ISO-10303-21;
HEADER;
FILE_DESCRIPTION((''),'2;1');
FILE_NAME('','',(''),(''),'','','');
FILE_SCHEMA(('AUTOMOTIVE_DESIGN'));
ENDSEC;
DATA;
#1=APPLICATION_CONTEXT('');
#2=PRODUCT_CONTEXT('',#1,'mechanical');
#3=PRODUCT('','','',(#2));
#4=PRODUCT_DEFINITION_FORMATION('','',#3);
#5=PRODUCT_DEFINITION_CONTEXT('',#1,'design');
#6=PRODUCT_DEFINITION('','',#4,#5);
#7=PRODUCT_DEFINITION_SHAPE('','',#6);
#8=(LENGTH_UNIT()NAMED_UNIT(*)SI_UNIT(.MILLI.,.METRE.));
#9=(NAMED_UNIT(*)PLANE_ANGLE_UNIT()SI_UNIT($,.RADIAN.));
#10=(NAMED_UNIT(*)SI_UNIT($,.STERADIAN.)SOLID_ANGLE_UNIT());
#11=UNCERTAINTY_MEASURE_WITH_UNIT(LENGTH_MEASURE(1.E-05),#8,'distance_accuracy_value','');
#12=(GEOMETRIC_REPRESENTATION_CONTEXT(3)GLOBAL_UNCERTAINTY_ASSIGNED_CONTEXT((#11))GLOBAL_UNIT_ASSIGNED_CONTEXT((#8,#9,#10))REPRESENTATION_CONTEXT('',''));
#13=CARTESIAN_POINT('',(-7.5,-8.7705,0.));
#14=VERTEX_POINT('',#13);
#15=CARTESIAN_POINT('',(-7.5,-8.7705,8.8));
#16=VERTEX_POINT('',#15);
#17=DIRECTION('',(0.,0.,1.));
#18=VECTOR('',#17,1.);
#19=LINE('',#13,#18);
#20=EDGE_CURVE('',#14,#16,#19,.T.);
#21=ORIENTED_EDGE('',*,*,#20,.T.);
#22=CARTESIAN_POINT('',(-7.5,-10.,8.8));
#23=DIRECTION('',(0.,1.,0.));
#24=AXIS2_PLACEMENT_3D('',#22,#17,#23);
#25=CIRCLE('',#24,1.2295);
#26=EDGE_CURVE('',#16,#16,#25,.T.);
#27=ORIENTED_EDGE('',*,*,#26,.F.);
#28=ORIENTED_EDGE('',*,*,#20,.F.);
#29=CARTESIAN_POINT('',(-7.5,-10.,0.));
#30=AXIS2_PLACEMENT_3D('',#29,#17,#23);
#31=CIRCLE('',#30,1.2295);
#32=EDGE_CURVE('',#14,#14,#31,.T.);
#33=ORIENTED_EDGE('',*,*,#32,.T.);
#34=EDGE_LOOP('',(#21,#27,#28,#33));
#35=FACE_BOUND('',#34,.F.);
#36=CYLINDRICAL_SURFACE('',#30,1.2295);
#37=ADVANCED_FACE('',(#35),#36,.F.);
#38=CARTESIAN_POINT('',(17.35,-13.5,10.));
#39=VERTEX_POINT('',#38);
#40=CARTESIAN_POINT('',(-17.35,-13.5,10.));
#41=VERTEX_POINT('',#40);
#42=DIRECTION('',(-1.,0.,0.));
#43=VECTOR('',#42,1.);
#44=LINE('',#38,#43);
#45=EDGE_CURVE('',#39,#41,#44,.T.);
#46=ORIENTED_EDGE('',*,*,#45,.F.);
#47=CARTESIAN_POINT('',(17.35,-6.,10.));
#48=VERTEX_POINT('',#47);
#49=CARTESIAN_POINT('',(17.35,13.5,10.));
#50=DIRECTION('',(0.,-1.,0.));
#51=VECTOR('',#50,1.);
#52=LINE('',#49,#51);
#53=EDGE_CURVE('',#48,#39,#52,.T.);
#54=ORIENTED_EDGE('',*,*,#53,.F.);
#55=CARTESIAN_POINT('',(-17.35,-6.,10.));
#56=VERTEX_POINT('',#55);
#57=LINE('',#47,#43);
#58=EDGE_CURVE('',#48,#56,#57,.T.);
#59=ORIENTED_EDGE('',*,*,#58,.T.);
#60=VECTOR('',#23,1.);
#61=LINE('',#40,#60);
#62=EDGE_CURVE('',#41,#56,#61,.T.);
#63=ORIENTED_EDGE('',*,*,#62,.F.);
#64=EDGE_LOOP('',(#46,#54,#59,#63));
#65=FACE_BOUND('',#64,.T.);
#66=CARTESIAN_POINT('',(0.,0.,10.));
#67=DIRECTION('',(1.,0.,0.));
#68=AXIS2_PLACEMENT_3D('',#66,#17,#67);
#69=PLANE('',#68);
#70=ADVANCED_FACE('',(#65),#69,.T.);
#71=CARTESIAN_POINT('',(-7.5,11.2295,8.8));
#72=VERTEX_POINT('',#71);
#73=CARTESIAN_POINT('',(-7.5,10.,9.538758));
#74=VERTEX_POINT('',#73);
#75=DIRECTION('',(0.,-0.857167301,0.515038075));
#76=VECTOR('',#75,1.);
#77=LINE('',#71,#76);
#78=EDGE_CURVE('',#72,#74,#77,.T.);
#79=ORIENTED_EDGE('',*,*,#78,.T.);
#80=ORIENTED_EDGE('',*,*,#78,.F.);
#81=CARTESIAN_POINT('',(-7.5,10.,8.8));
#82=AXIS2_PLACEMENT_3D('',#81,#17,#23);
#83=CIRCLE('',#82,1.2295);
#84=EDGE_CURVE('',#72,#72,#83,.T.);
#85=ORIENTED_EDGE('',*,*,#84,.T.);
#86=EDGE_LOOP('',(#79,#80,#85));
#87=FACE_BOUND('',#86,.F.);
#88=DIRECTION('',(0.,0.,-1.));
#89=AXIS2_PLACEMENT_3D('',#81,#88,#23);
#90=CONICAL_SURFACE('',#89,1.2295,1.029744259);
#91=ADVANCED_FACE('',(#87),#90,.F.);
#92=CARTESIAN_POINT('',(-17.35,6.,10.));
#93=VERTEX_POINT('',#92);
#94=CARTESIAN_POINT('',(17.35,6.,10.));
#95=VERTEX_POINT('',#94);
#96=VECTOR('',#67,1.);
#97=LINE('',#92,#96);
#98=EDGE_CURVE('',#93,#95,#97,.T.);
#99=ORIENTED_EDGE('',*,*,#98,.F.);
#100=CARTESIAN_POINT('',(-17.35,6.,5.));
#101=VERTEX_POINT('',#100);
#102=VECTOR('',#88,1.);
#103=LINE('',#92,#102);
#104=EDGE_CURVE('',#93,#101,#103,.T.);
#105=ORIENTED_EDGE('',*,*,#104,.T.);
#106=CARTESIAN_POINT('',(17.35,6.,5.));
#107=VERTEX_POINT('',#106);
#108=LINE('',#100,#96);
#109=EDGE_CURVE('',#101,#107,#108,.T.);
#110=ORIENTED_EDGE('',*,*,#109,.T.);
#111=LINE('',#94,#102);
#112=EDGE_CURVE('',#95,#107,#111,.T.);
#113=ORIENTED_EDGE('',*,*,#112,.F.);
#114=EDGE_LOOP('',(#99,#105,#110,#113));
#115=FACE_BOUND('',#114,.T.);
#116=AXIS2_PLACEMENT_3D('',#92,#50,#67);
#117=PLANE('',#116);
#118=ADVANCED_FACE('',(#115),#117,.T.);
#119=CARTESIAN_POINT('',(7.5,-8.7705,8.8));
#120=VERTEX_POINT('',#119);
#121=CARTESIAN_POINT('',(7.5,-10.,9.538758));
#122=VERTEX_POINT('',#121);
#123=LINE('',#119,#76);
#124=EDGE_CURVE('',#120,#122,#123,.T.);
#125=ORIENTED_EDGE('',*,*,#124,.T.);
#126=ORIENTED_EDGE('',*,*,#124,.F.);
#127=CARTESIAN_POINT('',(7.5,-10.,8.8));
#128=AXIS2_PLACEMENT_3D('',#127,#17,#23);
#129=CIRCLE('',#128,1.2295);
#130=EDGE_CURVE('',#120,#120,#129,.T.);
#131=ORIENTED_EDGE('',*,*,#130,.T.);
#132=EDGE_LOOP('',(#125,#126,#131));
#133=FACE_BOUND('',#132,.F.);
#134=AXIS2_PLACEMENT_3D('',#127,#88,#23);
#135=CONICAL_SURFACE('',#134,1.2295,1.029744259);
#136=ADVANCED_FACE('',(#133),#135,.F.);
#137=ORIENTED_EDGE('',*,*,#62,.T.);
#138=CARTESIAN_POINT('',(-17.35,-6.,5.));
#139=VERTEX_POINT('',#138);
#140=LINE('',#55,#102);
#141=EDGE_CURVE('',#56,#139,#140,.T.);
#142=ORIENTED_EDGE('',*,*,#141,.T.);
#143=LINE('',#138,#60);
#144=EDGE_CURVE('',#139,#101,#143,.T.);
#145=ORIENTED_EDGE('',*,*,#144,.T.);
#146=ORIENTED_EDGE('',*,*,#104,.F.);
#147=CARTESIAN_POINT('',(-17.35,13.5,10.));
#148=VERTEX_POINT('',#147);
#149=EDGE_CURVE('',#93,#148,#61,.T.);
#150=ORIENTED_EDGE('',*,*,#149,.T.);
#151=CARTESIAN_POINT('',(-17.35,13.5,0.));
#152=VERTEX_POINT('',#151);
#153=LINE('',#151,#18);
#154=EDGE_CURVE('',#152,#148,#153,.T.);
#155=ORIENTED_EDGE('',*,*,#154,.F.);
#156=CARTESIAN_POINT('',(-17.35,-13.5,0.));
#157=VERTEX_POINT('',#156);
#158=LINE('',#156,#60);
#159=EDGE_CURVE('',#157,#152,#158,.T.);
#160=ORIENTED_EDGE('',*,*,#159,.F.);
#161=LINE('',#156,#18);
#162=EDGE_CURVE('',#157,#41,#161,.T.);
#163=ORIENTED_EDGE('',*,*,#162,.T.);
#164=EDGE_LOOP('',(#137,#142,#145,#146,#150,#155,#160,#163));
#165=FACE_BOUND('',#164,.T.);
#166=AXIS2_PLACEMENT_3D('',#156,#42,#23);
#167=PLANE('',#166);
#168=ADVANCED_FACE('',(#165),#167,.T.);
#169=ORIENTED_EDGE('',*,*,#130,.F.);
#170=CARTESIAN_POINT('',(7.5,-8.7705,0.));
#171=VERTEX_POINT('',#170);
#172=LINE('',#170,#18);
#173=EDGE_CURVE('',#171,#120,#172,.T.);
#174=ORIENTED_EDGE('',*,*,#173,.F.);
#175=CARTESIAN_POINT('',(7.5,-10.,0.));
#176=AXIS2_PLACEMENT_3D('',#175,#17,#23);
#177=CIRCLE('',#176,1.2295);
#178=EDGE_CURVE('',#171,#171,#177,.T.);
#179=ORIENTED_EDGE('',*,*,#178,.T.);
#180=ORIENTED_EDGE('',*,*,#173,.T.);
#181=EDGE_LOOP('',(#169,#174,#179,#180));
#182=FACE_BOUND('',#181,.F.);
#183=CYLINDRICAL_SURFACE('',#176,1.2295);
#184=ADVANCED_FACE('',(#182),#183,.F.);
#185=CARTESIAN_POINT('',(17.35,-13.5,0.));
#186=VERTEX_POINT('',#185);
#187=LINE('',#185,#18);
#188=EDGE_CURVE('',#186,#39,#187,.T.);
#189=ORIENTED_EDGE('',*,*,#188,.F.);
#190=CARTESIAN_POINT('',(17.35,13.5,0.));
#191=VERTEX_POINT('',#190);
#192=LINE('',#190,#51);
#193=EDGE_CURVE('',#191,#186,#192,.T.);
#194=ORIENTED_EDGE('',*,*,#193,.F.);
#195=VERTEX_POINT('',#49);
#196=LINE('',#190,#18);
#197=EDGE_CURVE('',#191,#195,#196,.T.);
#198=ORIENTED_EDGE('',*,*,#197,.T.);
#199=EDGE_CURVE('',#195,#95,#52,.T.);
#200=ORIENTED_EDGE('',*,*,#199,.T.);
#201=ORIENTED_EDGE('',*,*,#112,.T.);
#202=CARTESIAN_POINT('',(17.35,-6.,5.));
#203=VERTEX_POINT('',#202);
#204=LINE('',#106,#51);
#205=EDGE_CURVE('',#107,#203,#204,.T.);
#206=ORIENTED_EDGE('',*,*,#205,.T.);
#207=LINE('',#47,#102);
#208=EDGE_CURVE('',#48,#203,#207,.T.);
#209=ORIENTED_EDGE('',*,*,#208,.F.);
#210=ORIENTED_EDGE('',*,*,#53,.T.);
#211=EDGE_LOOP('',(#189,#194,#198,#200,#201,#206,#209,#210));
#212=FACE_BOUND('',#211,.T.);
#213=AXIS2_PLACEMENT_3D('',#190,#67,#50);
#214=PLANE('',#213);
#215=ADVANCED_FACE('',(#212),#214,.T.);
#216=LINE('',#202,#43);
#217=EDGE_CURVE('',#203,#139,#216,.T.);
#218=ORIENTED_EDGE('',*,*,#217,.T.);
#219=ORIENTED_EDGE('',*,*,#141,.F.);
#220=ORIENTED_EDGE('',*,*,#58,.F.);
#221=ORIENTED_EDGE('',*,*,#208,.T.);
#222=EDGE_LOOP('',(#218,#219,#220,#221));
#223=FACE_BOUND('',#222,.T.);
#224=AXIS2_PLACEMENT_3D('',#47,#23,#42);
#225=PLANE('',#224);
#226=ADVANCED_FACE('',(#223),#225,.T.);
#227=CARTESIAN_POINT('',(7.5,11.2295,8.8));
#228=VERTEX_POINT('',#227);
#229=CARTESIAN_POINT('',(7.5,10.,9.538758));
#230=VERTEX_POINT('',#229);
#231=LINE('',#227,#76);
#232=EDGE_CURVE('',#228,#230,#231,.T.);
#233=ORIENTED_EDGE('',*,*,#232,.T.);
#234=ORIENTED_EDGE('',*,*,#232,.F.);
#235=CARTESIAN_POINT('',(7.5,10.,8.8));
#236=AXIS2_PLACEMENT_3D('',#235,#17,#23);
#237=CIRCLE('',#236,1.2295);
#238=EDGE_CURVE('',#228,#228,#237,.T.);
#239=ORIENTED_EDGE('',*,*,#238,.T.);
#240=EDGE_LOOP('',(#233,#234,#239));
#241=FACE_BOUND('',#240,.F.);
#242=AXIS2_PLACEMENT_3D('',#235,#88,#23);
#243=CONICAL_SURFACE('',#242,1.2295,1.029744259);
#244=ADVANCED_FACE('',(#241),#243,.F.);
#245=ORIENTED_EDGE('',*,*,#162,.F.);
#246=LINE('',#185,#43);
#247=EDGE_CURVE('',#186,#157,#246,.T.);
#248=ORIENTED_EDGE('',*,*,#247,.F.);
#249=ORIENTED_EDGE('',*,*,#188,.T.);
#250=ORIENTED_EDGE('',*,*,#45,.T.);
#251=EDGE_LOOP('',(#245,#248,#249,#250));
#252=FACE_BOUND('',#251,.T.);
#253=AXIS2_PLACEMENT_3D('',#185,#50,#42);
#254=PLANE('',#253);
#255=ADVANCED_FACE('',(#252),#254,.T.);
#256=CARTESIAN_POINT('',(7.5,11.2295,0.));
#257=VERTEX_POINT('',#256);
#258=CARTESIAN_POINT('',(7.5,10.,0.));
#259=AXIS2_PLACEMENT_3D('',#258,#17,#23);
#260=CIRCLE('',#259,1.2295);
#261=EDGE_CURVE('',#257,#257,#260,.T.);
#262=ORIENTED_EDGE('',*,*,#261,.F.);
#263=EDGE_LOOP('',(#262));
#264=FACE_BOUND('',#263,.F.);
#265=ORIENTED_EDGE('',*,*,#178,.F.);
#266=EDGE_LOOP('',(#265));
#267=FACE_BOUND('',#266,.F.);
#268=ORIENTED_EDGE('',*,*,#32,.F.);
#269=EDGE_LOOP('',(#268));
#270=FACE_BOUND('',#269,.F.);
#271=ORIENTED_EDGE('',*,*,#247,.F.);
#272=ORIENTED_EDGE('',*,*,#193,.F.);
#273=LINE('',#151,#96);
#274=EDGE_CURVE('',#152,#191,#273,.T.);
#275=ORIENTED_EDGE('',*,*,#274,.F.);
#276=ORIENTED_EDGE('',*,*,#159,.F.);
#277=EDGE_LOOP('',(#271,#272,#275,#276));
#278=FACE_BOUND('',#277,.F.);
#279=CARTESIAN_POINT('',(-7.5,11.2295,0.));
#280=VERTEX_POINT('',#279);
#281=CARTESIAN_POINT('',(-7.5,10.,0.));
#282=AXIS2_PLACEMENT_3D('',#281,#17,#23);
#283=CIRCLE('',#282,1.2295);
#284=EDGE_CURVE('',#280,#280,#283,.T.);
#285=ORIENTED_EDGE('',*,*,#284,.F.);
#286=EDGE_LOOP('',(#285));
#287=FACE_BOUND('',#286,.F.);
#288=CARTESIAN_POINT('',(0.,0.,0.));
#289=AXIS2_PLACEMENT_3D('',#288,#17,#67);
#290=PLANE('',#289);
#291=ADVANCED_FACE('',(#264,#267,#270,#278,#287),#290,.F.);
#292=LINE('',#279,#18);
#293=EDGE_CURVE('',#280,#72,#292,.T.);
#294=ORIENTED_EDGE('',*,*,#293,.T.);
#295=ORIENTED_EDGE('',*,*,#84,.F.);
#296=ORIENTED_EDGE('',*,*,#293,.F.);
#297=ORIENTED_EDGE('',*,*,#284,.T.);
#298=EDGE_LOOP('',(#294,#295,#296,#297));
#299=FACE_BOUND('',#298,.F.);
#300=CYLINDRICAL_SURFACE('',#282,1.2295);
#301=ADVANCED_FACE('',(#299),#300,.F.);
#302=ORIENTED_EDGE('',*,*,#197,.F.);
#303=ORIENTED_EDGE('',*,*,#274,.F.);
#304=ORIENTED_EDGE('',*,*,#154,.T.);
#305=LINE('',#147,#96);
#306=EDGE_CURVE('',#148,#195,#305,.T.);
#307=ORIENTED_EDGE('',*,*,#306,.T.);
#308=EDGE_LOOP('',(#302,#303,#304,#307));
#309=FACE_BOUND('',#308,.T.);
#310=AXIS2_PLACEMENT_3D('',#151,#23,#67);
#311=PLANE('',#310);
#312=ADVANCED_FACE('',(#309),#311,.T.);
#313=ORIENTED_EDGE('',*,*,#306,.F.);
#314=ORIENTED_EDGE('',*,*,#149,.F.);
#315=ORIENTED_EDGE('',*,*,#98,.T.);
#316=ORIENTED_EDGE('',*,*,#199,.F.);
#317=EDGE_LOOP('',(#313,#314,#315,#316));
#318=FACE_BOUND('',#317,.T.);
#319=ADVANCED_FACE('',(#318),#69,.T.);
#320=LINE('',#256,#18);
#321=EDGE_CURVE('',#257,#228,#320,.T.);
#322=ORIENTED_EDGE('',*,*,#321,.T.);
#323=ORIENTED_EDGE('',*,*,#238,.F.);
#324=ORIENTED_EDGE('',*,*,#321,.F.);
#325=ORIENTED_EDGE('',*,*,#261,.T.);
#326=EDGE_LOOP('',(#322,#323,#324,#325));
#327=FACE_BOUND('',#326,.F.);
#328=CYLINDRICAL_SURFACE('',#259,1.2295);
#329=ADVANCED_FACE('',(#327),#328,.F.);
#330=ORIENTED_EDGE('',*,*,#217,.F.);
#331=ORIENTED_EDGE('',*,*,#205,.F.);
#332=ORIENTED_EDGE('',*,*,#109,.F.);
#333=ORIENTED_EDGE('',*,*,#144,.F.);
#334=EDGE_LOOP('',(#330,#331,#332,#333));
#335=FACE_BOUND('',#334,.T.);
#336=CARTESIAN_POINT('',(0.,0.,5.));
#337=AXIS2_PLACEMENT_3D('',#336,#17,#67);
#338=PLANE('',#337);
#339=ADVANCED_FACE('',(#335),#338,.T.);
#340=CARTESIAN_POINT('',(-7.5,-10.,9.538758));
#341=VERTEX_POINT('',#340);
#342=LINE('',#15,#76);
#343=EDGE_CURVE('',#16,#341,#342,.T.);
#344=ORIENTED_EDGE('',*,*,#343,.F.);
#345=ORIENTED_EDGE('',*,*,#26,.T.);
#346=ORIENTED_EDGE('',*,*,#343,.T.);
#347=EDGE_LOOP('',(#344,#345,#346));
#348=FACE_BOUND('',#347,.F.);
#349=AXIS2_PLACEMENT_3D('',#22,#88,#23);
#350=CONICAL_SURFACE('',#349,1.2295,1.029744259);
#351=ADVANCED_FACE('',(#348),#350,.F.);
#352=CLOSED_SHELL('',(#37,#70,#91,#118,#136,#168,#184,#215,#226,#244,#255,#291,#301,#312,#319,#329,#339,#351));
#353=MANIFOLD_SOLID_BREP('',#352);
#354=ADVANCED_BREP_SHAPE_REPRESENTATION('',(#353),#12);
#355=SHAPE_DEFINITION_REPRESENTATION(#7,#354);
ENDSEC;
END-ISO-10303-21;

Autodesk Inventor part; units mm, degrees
ref_plane "YZ Plane" through (0, 0, 0) normal (1, 0, 0) x (0, 1, 0)
ref_plane "XZ Plane" through (0, 0, 0) normal (0, 1, 0) x (-1, 0, 0)
ref_plane "XY Plane" through (0, 0, 0) normal (0, 0, 1) x (1, 0, 0)
sketch "Sketch1" plane through (0, 0, 0) normal (0, 0, 1) x (1, 0, 0)
  line L0 (17.35, -13.5) -> (-17.35, -13.5)
  line L1 (-17.35, -13.5) -> (-17.35, 13.5)
  line L2 (-17.35, 13.5) -> (17.35, 13.5)
  line L3 (17.35, 13.5) -> (17.35, -13.5)
  line L4 (17.35, -13.5) -> (-17.35, 13.5) construction
  line L5 (-17.35, -13.5) -> (17.35, 13.5) construction
  point P0 (0, 0)
  dimension "d0" = 27
  dimension "d1" = 34.7
extrude "Extrusion1" add sketch "Sketch1" along normal blind 10
sketch "Sketch2" plane through (0, 0, 10) normal (0, 0, 1) x (1, 0, 0)
  line L0 (17.35, -6) -> (-17.35, -6)
  line L1 (-17.35, -6) -> (-17.35, 6)
  line L2 (-17.35, 6) -> (17.35, 6)
  line L3 (17.35, 6) -> (17.35, -6)
  line L4 (17.35, -6) -> (-17.35, 6) construction
  line L5 (-17.35, -6) -> (17.35, 6) construction
  point P0 (0, 0)
  point P1 (17.35, 13.5)
  dimension "d4" = 12
extrude "Extrusion2" cut sketch "Sketch2" against normal blind 5
sketch "Sketch3" plane through (0, 0, 0) normal (0, 0, -1) x (-1, 0, 0)
  point P0 (0, 0)
  point P1 (-7.5, 10)
  point P2 (-7.5, -10)
  point P3 (7.5, 10)
  point P4 (7.5, -10)
  dimension "d7" = 20
  dimension "d8" = 10
  dimension "d9" = 15
  dimension "d10" = 7.5
hole "Hole1" at (7.5, 10, 0) at (7.5, -10, 0) at (-7.5, 10, 0) at (-7.5, -10, 0) direction (0, 0, 1) diameter 2.459 depth 8.8 tip angle 118 thread size "M3x0.5" class "6H" standard "ISO Metric profile"
equation "\"d8\" = 0.5 * d7"
equation "\"d10\" = 0.5 * d9"
properties part number "MGN12C" material "Stainless Steel"
